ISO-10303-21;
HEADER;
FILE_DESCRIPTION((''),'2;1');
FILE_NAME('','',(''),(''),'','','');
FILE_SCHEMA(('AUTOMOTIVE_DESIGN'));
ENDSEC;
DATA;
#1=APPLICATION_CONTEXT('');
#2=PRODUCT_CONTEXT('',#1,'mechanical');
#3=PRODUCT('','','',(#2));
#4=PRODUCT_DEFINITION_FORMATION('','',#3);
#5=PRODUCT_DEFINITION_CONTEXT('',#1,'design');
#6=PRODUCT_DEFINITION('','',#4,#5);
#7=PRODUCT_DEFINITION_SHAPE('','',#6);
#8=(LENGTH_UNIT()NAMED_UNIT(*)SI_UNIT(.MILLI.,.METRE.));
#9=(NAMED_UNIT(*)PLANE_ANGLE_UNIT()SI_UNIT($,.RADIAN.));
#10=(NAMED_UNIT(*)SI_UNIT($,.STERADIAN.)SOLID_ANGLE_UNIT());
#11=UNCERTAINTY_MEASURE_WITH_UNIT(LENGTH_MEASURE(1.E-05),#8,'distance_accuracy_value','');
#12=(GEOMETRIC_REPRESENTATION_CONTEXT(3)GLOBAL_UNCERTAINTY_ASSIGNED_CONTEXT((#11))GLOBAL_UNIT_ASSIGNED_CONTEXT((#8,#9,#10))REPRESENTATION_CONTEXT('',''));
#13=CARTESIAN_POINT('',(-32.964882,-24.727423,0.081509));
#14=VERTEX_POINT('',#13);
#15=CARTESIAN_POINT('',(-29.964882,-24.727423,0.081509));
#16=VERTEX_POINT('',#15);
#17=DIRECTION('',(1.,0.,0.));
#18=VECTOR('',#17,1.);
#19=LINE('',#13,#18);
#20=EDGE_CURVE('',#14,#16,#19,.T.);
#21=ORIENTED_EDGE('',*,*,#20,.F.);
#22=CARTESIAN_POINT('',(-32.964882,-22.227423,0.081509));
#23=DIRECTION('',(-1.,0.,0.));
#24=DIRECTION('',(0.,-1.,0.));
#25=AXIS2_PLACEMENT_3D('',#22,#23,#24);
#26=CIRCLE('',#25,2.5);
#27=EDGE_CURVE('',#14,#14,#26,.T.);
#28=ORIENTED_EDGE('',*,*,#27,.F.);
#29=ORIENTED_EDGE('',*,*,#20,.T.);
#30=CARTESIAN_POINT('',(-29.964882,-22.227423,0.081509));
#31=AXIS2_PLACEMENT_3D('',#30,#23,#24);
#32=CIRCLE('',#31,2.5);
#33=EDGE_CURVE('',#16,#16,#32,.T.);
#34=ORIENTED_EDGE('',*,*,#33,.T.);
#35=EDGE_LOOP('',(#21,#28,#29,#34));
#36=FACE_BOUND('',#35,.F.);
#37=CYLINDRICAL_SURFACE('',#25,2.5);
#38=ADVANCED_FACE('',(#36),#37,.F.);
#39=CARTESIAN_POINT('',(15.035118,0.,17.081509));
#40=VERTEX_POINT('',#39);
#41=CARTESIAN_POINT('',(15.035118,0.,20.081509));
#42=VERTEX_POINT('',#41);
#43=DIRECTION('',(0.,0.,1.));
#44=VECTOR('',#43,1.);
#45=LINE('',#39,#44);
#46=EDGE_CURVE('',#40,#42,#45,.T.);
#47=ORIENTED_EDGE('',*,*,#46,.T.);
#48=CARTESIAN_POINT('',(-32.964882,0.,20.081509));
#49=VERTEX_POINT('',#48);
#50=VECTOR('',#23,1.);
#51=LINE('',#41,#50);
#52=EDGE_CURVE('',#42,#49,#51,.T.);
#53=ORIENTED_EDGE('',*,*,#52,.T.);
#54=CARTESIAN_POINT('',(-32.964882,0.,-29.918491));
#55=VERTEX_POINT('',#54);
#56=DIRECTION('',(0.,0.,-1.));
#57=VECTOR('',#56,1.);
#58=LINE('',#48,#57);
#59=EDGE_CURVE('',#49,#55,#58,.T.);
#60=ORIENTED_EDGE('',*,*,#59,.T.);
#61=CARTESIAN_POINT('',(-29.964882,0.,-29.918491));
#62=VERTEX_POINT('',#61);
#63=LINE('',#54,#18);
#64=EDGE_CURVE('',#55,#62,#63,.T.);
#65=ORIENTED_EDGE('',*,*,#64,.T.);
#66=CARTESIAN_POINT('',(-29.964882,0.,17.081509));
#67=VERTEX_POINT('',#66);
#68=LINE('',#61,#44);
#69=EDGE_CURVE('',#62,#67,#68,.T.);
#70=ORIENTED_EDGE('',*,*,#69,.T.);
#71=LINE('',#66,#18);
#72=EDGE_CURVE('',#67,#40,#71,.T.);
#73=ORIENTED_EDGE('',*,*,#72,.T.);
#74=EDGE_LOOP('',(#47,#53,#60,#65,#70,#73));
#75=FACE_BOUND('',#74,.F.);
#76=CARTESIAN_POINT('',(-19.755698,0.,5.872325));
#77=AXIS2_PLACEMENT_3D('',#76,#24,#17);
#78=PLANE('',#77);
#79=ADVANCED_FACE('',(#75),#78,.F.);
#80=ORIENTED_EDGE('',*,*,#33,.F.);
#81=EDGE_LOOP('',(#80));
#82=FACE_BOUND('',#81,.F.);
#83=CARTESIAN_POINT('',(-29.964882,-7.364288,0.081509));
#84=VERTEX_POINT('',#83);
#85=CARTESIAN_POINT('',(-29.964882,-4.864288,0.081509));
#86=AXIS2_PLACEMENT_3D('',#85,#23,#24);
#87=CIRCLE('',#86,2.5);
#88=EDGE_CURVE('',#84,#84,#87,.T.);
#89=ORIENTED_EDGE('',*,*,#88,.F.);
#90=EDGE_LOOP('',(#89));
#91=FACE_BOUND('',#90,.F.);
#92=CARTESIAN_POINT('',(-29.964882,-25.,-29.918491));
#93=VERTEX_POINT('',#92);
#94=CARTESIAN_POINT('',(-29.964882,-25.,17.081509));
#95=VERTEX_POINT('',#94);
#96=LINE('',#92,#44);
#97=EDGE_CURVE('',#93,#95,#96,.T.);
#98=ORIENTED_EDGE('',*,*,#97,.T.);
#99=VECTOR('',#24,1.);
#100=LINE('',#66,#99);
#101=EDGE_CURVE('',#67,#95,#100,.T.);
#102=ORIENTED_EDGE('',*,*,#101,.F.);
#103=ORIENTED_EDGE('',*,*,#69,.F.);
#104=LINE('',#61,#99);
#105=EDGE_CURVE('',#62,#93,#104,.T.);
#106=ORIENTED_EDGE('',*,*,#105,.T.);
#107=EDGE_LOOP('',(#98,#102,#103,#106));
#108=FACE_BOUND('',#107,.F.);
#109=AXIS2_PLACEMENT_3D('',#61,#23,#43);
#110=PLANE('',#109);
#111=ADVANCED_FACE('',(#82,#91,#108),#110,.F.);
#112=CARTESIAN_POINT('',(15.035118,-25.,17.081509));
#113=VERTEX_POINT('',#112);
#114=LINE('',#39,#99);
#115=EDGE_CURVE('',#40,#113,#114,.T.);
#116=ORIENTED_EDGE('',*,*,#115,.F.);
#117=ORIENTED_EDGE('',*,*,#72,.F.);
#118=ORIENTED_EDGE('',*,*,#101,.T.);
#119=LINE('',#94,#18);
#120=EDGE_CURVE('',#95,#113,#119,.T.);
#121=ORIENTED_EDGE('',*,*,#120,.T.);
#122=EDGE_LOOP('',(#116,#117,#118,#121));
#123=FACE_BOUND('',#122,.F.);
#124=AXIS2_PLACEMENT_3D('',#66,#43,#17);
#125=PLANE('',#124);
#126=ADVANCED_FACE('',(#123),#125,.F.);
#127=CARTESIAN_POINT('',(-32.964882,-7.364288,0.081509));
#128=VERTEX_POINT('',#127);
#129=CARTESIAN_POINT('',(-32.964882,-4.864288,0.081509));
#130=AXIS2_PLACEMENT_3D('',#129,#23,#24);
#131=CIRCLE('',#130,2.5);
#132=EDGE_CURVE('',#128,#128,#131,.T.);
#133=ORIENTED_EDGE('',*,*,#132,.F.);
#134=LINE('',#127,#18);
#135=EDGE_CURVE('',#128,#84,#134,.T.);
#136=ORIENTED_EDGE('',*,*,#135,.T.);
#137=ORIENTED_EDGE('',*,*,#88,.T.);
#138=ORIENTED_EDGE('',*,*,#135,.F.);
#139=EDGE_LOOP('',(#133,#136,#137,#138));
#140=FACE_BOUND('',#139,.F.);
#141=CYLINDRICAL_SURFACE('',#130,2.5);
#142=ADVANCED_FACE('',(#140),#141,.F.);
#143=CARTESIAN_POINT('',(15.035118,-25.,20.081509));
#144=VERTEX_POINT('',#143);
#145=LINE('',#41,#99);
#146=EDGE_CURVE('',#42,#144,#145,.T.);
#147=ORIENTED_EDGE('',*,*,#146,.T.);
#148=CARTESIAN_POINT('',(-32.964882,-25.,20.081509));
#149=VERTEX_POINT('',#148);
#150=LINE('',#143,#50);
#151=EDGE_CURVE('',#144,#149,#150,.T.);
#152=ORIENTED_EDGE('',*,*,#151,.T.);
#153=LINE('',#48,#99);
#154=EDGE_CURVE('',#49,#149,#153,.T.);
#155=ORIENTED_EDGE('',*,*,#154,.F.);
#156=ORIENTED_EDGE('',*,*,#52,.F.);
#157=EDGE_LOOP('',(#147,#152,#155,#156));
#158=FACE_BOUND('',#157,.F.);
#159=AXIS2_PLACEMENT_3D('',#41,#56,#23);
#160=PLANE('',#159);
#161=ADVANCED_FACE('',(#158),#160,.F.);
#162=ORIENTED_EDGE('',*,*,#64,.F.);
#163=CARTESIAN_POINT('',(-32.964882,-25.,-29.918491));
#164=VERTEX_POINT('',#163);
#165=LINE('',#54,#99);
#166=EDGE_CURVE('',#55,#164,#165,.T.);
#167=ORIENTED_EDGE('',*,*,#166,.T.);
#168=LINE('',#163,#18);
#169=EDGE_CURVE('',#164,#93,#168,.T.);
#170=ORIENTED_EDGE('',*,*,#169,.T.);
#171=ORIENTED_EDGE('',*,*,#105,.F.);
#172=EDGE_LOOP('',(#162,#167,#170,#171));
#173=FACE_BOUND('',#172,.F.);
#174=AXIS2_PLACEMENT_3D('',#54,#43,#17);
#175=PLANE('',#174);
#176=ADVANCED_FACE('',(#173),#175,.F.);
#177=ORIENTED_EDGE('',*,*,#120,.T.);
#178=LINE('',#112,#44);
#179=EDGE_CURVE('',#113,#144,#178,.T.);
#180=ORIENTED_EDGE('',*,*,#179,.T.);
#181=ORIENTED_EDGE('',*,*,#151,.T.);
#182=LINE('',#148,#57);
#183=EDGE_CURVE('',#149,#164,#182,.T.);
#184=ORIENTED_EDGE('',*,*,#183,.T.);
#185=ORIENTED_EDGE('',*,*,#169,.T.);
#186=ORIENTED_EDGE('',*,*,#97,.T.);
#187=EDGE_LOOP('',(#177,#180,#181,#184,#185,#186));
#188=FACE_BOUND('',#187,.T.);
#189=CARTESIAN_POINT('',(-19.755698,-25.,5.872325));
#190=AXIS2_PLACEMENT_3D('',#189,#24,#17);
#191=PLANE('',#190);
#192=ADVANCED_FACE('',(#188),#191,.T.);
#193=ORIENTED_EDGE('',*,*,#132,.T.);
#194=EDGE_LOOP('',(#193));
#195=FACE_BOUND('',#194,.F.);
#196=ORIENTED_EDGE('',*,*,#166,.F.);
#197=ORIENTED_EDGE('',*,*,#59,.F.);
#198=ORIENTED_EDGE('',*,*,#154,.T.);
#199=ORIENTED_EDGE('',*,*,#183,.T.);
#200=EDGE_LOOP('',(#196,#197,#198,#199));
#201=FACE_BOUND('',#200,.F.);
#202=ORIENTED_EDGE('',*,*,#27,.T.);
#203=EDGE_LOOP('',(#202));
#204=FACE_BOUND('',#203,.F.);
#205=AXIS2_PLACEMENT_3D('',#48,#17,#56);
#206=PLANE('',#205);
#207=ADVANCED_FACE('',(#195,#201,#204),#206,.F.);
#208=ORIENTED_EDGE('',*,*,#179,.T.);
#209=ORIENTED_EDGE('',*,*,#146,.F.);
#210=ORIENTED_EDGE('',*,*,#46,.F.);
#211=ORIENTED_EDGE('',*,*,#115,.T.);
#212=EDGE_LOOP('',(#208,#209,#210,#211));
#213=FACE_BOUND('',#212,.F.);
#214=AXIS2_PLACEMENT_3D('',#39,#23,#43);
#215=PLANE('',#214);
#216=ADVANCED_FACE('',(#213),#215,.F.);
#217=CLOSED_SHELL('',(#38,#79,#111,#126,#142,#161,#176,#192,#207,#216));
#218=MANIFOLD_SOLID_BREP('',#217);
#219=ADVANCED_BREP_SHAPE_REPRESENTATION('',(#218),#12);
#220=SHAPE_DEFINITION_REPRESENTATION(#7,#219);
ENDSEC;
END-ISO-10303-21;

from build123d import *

# Parameters (mm, degrees)
F1_DEPTH = 25
F2_R     = 2.5
F3_DEPTH = 25


with BuildPart() as f1:
    # F0 (on Front) → F1 (new body)
    with BuildSketch(Plane.XZ):
        Polygon((15.035118, 20.081509), (-32.964882, 20.081509), (-32.964882, -29.918491), (-29.964882, -29.918491), (-29.964882, 17.081509), (15.035118, 17.081509), align=None)
    extrude(amount=F1_DEPTH)

    # F2 (on face) → F3 (cut)
    with BuildSketch(Plane(origin=(-32.964882, 0, 0), x_dir=(0, -1, 0), z_dir=(-1, 0, 0))):
        with Locations((22.227423, 0.081509)):
            Circle(F2_R)
        with Locations((4.864288, 0.081509)):
            Circle(F2_R)
    extrude(amount=-F3_DEPTH, mode=Mode.SUBTRACT)


solid = f1.part
